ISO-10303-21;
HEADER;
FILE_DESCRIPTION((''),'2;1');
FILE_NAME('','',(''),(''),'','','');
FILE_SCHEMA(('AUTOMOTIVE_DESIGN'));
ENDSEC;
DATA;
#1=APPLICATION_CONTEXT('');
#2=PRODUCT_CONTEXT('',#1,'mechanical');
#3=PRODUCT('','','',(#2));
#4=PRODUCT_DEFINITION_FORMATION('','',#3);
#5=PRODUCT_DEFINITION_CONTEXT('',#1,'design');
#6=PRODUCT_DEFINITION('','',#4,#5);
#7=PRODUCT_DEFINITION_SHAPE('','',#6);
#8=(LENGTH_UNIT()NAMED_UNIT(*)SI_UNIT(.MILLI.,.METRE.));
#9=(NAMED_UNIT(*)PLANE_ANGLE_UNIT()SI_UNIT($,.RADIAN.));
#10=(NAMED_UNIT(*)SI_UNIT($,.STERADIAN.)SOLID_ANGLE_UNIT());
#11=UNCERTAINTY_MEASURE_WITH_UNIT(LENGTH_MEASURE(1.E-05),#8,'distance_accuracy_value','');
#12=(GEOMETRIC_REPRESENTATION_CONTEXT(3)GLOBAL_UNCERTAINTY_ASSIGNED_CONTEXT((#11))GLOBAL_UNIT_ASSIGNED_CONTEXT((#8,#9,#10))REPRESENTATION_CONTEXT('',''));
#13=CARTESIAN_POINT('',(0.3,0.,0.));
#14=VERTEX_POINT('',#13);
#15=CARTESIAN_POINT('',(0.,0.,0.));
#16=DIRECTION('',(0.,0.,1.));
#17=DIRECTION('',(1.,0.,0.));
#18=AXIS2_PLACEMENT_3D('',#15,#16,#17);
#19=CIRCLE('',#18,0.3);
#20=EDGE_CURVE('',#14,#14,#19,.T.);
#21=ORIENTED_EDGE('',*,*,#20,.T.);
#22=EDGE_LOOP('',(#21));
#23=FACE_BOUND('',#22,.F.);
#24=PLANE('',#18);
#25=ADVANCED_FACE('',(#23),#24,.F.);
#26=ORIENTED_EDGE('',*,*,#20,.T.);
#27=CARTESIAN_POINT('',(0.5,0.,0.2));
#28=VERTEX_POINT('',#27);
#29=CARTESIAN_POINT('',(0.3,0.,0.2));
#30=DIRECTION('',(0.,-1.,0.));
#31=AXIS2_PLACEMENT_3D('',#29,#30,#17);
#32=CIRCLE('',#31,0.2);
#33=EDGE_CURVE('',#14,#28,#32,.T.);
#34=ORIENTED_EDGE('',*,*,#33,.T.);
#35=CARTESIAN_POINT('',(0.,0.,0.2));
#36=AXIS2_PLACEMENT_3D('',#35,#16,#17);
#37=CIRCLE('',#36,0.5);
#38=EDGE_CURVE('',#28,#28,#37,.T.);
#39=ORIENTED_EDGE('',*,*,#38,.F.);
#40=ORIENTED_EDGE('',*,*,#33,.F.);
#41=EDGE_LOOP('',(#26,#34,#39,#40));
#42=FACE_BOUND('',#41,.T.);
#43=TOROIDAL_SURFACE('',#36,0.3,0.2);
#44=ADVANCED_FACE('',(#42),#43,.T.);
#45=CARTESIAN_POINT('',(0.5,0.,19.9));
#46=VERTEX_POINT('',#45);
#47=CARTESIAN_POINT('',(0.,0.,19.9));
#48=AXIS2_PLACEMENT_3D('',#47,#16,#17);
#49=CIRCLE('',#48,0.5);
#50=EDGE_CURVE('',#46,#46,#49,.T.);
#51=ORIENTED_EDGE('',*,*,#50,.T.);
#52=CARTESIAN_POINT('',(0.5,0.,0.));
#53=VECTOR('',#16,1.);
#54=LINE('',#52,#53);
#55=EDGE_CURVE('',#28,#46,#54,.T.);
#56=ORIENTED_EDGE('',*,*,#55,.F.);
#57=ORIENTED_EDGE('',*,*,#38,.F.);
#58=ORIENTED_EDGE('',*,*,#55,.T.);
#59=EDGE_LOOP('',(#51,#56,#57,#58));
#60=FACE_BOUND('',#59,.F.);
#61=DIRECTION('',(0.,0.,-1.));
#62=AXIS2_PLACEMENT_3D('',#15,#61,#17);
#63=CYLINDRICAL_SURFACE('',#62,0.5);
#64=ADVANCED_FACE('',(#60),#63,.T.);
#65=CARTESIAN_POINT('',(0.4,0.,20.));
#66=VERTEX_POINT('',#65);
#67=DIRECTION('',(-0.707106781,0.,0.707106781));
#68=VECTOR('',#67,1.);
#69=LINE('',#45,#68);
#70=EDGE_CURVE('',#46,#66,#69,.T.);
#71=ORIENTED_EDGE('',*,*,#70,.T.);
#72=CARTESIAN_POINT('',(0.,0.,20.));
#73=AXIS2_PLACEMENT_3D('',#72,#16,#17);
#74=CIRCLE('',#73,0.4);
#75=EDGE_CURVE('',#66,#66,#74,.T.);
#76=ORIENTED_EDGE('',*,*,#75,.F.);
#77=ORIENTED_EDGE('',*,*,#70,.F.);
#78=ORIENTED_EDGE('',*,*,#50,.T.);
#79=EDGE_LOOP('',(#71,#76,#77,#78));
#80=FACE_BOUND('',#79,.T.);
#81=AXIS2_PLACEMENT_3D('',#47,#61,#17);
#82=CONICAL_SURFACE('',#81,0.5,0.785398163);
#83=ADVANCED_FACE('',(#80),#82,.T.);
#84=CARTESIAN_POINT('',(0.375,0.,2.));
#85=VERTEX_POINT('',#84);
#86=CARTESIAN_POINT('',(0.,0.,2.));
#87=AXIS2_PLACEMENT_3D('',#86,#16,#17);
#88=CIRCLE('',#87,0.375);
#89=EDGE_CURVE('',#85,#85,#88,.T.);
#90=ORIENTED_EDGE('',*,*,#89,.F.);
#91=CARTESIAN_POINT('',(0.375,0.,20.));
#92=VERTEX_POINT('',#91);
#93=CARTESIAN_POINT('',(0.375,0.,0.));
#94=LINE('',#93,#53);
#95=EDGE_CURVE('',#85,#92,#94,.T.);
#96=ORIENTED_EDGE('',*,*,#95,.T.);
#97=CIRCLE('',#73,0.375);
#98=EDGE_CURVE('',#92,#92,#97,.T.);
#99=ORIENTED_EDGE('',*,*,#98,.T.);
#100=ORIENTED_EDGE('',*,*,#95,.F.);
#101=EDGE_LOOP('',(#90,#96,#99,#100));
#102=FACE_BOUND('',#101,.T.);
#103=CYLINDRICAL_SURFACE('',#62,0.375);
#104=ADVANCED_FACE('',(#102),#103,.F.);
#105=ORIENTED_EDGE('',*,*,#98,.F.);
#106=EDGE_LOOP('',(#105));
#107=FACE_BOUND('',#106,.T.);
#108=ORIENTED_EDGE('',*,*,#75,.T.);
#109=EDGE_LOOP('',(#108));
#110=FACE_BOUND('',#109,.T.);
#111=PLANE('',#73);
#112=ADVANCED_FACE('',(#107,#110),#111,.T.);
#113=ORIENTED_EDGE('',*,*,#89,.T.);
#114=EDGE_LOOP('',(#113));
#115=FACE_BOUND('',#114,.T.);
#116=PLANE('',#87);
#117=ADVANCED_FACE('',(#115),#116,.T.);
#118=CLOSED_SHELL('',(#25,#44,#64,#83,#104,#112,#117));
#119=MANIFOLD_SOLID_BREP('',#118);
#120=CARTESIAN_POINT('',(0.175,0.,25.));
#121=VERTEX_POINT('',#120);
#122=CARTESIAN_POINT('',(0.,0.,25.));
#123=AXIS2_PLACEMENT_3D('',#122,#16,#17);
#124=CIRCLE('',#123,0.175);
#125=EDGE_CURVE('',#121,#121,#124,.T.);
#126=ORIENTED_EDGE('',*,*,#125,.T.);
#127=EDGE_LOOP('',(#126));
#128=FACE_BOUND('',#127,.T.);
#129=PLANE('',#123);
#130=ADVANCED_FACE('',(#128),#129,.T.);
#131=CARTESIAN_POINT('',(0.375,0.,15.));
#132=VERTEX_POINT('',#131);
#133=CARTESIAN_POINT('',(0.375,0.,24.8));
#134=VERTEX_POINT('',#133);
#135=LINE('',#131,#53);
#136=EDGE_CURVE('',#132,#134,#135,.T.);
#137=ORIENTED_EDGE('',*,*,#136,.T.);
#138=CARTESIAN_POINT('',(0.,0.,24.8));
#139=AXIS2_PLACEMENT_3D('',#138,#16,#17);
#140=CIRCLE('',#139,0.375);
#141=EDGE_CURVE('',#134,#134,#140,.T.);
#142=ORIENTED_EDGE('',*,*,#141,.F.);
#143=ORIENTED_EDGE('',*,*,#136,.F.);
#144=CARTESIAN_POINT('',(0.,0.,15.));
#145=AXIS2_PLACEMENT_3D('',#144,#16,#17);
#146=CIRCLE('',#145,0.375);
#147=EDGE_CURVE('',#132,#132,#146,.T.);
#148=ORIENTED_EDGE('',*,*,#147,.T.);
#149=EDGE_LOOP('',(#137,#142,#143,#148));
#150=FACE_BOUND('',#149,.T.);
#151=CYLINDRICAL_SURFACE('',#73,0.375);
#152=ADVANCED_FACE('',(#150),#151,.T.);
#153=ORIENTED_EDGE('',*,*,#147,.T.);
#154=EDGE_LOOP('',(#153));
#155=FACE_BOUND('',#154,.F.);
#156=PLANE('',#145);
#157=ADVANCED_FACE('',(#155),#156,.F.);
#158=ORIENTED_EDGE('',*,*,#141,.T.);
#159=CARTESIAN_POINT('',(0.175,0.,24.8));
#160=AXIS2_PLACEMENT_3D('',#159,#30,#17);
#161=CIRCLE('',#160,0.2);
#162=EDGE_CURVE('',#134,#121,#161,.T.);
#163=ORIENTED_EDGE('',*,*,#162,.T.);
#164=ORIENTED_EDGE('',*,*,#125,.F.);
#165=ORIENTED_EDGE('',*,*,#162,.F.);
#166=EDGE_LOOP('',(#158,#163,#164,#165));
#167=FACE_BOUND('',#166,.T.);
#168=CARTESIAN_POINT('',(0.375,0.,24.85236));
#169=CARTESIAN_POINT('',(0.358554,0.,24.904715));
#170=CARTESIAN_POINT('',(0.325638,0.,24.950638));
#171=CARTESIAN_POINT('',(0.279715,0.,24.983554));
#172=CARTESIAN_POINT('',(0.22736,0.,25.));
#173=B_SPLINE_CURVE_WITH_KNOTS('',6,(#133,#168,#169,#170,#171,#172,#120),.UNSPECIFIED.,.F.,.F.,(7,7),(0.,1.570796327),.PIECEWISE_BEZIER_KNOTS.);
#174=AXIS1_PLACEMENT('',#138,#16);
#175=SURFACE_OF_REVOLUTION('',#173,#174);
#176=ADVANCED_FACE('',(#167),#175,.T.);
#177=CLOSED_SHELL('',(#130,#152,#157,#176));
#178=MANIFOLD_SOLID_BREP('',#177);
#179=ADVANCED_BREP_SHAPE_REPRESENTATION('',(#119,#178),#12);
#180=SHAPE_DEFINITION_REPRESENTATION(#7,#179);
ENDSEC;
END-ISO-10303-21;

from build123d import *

# Parameters (mm, degrees)
F0_R     = 0.5
F0_R_2   = 0.375
F1_DEPTH = 20
F2_R     = 0.375
F3_DEPTH = 5
F4_R     = 0.2
F5_SIZE  = 0.1
F6_DEPTH = 2
F7_R     = 0.2


with BuildPart() as f1:
    # F0 (on Top) → F1 (new body)
    with BuildSketch(Plane.XY):
        Circle(F0_R)
        Circle(F0_R_2, mode=Mode.SUBTRACT)
    extrude(amount=F1_DEPTH)

    # F5
    f5_edges = [f1.edges().sort_by_distance(p)[0] for p in [
        (-0.5, 0, 20),
    ]]
    chamfer(f5_edges, length=F5_SIZE)

    # F0 (on Top) → F6 (join)
    with BuildSketch(Plane.XY):
        Circle(F0_R_2)
    extrude(amount=F6_DEPTH)

    # F7
    f7_edges = [f1.edges().sort_by_distance(p)[0] for p in [
        (-0.5, 0, 0),
    ]]
    fillet(f7_edges, radius=F7_R)


with BuildPart() as f3:
    # F2 (on face) → F3 (new body, symmetric)
    with BuildSketch(Plane.XY.offset(20)):
        Circle(F2_R)
    extrude(amount=F3_DEPTH, both=True)

    # F4
    f4_edges = [f3.edges().sort_by_distance(p)[0] for p in [
        (-0.375, 0, 25),
    ]]
    fillet(f4_edges, radius=F4_R)


solid = Compound([f1.part, f3.part])
